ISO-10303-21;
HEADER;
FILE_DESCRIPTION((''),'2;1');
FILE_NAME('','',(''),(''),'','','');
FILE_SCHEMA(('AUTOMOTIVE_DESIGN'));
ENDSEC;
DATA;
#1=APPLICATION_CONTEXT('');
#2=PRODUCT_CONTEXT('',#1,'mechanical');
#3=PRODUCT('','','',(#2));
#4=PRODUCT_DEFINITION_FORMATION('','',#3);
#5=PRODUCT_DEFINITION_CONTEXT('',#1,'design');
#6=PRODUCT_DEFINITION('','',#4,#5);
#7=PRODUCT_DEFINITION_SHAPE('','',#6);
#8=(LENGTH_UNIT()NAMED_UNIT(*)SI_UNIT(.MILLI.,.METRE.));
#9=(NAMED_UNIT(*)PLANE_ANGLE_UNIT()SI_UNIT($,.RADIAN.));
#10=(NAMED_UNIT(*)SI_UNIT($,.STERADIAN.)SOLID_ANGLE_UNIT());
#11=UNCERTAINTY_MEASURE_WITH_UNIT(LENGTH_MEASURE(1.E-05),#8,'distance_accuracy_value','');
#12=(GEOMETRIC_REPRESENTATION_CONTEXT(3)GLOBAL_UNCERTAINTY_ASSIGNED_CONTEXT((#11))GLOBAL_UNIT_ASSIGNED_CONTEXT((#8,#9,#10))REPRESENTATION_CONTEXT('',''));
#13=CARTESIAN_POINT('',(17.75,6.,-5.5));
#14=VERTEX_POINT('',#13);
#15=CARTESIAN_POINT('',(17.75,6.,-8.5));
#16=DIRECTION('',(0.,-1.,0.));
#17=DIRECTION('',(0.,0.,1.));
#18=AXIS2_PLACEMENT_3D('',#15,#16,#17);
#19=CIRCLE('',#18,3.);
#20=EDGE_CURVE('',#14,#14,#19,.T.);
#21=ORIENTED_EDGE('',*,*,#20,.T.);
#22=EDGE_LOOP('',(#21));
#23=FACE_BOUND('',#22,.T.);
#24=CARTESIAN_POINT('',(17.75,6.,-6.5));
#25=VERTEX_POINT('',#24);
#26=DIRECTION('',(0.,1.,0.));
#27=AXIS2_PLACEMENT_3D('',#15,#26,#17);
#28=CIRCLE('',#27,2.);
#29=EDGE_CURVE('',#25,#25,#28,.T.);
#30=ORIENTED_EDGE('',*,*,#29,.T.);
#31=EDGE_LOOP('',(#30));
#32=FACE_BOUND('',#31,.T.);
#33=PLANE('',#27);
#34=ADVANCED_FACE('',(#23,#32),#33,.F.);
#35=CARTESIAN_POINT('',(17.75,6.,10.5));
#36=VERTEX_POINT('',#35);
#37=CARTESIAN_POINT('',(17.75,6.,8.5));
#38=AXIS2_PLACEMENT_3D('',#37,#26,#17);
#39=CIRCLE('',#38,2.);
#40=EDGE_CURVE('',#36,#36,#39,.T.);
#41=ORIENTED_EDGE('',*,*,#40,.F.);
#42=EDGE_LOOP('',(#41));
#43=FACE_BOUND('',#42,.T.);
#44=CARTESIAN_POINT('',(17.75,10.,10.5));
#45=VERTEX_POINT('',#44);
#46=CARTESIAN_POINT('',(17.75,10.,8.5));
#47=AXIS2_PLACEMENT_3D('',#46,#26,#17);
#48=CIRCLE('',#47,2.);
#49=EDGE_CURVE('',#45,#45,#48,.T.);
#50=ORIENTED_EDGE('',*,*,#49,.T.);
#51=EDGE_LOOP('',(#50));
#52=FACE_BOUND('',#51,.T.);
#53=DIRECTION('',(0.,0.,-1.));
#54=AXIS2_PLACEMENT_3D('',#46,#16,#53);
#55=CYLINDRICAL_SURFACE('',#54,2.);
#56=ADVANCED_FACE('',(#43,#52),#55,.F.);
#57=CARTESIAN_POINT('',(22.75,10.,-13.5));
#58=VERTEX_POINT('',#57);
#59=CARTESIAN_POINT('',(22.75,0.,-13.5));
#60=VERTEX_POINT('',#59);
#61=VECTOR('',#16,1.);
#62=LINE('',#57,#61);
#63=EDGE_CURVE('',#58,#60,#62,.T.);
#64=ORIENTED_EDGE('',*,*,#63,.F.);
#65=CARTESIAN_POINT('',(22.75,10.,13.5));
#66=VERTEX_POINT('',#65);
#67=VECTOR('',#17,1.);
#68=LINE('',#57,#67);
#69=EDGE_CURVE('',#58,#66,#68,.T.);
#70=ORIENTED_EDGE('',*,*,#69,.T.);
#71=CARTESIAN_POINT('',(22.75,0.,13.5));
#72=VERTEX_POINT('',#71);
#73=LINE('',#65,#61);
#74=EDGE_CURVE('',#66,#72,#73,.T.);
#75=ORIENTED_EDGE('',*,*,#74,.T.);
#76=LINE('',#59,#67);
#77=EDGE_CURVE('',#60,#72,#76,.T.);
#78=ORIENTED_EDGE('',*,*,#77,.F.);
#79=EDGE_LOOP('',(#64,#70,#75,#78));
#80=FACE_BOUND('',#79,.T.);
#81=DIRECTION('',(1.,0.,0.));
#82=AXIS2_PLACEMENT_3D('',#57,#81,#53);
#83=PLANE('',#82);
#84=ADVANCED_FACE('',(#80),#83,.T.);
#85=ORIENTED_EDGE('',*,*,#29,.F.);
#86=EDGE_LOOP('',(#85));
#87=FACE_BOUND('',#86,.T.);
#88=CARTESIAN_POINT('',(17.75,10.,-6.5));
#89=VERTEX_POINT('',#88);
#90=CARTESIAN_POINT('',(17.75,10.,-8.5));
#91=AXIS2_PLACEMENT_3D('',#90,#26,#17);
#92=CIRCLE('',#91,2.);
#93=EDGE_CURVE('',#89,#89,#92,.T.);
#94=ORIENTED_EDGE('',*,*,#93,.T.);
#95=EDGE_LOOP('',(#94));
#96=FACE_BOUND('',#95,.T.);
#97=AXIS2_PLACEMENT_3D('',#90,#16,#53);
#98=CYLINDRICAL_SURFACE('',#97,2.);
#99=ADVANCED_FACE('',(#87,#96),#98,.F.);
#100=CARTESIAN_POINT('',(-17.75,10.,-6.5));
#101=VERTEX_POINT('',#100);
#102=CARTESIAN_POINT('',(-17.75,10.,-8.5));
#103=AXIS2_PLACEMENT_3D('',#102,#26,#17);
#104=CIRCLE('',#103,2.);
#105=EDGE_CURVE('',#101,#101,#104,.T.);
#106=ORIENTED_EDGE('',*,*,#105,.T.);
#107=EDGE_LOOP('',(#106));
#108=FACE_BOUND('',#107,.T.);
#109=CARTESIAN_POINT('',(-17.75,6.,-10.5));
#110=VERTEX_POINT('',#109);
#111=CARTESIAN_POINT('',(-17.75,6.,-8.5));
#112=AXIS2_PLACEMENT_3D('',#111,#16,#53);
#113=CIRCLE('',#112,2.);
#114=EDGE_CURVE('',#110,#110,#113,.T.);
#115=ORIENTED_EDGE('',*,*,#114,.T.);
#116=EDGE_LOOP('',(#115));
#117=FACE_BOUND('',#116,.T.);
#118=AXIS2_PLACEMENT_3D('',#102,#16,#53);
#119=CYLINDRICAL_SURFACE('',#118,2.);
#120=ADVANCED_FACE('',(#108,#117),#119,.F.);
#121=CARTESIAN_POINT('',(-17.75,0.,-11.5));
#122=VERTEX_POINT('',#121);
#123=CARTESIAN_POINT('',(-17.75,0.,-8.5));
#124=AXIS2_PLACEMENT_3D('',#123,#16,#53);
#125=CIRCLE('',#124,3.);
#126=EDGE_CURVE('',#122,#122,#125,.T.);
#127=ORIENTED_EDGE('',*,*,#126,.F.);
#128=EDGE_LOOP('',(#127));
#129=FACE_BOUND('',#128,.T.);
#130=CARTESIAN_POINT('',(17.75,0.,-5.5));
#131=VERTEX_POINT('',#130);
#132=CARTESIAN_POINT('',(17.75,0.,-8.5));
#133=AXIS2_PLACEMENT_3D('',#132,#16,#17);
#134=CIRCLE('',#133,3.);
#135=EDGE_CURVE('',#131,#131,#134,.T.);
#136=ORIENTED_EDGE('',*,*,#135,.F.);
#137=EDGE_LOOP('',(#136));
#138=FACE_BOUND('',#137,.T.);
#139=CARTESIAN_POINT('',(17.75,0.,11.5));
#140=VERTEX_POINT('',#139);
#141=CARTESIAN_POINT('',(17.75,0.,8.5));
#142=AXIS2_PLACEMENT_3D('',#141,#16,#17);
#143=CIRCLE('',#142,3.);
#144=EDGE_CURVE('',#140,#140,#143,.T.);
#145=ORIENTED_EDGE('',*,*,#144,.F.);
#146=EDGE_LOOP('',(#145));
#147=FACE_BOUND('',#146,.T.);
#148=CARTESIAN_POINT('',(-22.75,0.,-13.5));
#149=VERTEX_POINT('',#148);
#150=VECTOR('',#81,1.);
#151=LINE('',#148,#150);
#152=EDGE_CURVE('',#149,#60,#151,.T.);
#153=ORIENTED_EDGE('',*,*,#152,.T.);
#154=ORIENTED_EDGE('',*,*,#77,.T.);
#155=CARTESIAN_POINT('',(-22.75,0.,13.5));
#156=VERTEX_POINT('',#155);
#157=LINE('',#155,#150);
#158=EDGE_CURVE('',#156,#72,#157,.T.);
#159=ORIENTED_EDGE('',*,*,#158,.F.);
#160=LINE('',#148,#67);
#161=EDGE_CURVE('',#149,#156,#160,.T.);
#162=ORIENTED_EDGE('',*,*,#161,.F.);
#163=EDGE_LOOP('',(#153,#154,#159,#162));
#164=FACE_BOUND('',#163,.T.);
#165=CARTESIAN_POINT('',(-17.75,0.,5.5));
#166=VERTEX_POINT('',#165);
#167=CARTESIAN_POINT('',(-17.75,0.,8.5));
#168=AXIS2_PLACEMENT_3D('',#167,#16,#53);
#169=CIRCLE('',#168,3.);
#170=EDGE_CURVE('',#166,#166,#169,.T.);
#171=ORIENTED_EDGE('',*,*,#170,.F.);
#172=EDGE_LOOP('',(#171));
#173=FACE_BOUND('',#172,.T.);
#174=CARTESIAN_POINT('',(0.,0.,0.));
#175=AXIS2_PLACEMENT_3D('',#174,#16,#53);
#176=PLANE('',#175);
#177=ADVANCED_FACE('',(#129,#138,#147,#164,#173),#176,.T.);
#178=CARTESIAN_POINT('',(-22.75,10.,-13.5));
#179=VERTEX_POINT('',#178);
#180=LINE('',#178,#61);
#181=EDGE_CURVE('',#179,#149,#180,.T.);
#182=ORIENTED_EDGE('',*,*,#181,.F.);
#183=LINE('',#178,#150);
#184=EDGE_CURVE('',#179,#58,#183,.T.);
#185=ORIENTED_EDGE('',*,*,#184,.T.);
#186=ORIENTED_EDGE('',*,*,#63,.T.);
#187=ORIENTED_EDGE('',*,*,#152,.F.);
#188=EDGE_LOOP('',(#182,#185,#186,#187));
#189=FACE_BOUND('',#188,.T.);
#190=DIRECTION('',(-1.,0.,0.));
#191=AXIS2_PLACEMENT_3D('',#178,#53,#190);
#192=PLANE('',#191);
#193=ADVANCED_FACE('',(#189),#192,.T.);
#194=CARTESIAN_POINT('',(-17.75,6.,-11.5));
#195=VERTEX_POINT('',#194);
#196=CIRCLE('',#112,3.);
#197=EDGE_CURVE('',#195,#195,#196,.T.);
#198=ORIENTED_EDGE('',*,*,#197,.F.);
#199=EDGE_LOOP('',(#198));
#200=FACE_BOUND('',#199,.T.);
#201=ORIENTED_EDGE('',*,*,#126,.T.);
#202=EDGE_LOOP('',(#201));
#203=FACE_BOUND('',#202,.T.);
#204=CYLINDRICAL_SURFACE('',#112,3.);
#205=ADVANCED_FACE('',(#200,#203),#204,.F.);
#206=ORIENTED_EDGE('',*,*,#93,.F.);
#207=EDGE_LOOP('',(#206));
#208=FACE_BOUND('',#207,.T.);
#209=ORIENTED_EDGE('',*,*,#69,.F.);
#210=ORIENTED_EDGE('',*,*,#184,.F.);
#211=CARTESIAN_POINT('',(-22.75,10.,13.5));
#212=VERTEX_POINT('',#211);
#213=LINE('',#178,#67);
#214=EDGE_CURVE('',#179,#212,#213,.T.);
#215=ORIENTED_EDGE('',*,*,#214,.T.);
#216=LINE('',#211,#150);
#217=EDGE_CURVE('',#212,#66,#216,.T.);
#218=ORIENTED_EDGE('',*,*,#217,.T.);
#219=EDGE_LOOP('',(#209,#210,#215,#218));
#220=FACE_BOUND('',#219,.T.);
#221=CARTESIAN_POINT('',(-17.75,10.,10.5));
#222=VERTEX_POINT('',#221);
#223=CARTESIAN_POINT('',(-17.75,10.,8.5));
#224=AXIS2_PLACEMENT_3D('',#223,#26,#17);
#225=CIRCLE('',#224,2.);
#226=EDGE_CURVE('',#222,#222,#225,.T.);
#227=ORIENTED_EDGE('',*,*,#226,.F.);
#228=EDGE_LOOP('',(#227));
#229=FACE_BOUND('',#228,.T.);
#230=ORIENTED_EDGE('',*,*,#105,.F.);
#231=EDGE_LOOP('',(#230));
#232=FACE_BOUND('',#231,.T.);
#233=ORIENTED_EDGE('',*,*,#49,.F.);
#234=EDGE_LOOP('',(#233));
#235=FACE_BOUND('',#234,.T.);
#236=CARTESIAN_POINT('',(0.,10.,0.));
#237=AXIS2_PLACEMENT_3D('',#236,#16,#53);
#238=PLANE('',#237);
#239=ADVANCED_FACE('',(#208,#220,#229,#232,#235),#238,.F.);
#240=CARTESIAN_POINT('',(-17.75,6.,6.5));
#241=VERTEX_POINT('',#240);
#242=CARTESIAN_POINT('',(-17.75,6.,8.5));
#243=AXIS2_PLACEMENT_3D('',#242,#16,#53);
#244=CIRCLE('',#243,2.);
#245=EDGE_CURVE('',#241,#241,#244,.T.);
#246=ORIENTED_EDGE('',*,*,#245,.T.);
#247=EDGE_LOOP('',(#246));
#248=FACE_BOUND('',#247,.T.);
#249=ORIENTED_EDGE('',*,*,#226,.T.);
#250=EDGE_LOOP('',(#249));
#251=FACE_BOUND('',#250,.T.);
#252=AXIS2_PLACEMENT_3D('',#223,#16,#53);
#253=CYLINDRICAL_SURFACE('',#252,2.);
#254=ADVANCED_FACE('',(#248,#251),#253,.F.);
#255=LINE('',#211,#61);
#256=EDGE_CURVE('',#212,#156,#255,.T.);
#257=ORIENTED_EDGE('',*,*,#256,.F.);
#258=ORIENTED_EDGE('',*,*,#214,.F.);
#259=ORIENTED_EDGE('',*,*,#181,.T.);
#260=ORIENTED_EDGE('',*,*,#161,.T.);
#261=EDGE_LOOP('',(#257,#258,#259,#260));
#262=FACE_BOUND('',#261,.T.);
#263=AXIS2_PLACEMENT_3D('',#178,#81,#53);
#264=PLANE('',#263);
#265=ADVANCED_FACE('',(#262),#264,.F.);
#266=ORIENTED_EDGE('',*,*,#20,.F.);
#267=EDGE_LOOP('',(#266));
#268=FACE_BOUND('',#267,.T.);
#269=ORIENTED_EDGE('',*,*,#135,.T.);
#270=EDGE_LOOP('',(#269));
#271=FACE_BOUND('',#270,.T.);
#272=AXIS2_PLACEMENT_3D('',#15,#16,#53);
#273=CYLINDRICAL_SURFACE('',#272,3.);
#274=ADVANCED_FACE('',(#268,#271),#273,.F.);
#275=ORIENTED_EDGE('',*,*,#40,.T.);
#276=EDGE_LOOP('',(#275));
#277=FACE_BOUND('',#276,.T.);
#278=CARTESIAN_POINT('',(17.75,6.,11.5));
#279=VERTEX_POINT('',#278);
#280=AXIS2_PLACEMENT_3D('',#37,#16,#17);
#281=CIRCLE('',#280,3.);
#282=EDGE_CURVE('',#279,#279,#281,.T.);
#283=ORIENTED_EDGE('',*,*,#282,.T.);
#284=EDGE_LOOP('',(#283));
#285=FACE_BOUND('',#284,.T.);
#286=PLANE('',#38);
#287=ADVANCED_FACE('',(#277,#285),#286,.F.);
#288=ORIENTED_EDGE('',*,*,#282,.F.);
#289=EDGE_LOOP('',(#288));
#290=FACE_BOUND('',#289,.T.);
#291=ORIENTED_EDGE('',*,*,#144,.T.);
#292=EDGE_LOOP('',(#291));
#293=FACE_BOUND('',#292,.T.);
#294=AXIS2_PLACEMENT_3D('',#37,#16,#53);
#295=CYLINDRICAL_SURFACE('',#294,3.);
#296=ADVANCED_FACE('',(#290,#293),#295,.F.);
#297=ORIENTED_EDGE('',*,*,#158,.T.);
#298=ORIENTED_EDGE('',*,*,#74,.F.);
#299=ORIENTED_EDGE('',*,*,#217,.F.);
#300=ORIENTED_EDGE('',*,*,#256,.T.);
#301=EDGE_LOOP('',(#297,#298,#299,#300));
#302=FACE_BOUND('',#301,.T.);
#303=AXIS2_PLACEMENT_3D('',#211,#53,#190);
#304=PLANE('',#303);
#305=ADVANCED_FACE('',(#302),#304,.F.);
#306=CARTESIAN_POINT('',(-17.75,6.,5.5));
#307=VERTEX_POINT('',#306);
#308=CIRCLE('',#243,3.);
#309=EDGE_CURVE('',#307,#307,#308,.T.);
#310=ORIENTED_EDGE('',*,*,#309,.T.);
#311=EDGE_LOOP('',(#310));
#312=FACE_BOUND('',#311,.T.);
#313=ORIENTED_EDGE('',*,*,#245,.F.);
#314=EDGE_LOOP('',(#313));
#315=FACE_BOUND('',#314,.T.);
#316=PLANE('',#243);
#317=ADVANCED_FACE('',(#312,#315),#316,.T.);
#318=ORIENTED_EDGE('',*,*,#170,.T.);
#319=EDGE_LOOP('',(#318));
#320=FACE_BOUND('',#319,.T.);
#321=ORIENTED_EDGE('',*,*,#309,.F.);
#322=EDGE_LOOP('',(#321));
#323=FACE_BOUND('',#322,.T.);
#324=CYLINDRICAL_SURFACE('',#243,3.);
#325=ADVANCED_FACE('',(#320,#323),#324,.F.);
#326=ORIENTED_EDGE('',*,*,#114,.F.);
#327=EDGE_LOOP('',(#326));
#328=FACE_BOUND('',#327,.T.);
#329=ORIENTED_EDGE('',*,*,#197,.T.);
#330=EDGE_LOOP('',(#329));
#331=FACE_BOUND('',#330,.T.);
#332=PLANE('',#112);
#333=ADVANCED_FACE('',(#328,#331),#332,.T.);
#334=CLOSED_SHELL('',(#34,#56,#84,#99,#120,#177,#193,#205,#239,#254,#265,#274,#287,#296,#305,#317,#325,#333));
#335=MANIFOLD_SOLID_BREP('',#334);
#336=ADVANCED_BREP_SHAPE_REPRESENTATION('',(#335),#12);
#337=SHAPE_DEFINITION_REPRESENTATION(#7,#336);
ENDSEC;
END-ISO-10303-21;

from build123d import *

# Parameters (mm, degrees)
SKETCH1_W           = 45.5
SKETCH1_H           = 27
SKETCH1_R           = 2
BOSS_EXTRUDE1_DEPTH = 10
SKETCH2_R           = 3
CUT_EXTRUDE1_DEPTH  = 6


with BuildPart() as part:
    # Sketch1 → Boss-Extrude1 (new body)
    with BuildSketch(Plane(origin=(0, 0, 0), x_dir=(1, 0, 0), z_dir=(0, 1, 0))):
        Rectangle(SKETCH1_W, SKETCH1_H)
        with Locations(Location((-17.75, 8.5, 0), (0, 0, 270))):
            Circle(SKETCH1_R, mode=Mode.SUBTRACT)
        with Locations(Location((-17.75, -8.5, 0), (0, 0, 270))):
            Circle(SKETCH1_R, mode=Mode.SUBTRACT)
        with Locations(Location((17.75, 8.5, 0), (0, 0, 270))):
            Circle(SKETCH1_R, mode=Mode.SUBTRACT)
        with Locations(Location((17.75, -8.5, 0), (0, 0, 270))):
            Circle(SKETCH1_R, mode=Mode.SUBTRACT)
    extrude(amount=BOSS_EXTRUDE1_DEPTH)

    # Sketch2 → Cut-Extrude1 (cut)
    with BuildSketch(Plane.XZ):
        with Locations(Location((-17.75, 8.5, 0), (0, 0, 270))):
            Circle(SKETCH2_R)
        with Locations(Location((-17.75, -8.5, 0), (0, 0, 270))):
            Circle(SKETCH2_R)
        with Locations(Location((17.75, -8.5, 0), (0, 0, 90))):
            Circle(SKETCH2_R)
        with Locations(Location((17.75, 8.5, 0), (0, 0, 90))):
            Circle(SKETCH2_R)
    extrude(amount=-CUT_EXTRUDE1_DEPTH, mode=Mode.SUBTRACT)


solid = part.part
